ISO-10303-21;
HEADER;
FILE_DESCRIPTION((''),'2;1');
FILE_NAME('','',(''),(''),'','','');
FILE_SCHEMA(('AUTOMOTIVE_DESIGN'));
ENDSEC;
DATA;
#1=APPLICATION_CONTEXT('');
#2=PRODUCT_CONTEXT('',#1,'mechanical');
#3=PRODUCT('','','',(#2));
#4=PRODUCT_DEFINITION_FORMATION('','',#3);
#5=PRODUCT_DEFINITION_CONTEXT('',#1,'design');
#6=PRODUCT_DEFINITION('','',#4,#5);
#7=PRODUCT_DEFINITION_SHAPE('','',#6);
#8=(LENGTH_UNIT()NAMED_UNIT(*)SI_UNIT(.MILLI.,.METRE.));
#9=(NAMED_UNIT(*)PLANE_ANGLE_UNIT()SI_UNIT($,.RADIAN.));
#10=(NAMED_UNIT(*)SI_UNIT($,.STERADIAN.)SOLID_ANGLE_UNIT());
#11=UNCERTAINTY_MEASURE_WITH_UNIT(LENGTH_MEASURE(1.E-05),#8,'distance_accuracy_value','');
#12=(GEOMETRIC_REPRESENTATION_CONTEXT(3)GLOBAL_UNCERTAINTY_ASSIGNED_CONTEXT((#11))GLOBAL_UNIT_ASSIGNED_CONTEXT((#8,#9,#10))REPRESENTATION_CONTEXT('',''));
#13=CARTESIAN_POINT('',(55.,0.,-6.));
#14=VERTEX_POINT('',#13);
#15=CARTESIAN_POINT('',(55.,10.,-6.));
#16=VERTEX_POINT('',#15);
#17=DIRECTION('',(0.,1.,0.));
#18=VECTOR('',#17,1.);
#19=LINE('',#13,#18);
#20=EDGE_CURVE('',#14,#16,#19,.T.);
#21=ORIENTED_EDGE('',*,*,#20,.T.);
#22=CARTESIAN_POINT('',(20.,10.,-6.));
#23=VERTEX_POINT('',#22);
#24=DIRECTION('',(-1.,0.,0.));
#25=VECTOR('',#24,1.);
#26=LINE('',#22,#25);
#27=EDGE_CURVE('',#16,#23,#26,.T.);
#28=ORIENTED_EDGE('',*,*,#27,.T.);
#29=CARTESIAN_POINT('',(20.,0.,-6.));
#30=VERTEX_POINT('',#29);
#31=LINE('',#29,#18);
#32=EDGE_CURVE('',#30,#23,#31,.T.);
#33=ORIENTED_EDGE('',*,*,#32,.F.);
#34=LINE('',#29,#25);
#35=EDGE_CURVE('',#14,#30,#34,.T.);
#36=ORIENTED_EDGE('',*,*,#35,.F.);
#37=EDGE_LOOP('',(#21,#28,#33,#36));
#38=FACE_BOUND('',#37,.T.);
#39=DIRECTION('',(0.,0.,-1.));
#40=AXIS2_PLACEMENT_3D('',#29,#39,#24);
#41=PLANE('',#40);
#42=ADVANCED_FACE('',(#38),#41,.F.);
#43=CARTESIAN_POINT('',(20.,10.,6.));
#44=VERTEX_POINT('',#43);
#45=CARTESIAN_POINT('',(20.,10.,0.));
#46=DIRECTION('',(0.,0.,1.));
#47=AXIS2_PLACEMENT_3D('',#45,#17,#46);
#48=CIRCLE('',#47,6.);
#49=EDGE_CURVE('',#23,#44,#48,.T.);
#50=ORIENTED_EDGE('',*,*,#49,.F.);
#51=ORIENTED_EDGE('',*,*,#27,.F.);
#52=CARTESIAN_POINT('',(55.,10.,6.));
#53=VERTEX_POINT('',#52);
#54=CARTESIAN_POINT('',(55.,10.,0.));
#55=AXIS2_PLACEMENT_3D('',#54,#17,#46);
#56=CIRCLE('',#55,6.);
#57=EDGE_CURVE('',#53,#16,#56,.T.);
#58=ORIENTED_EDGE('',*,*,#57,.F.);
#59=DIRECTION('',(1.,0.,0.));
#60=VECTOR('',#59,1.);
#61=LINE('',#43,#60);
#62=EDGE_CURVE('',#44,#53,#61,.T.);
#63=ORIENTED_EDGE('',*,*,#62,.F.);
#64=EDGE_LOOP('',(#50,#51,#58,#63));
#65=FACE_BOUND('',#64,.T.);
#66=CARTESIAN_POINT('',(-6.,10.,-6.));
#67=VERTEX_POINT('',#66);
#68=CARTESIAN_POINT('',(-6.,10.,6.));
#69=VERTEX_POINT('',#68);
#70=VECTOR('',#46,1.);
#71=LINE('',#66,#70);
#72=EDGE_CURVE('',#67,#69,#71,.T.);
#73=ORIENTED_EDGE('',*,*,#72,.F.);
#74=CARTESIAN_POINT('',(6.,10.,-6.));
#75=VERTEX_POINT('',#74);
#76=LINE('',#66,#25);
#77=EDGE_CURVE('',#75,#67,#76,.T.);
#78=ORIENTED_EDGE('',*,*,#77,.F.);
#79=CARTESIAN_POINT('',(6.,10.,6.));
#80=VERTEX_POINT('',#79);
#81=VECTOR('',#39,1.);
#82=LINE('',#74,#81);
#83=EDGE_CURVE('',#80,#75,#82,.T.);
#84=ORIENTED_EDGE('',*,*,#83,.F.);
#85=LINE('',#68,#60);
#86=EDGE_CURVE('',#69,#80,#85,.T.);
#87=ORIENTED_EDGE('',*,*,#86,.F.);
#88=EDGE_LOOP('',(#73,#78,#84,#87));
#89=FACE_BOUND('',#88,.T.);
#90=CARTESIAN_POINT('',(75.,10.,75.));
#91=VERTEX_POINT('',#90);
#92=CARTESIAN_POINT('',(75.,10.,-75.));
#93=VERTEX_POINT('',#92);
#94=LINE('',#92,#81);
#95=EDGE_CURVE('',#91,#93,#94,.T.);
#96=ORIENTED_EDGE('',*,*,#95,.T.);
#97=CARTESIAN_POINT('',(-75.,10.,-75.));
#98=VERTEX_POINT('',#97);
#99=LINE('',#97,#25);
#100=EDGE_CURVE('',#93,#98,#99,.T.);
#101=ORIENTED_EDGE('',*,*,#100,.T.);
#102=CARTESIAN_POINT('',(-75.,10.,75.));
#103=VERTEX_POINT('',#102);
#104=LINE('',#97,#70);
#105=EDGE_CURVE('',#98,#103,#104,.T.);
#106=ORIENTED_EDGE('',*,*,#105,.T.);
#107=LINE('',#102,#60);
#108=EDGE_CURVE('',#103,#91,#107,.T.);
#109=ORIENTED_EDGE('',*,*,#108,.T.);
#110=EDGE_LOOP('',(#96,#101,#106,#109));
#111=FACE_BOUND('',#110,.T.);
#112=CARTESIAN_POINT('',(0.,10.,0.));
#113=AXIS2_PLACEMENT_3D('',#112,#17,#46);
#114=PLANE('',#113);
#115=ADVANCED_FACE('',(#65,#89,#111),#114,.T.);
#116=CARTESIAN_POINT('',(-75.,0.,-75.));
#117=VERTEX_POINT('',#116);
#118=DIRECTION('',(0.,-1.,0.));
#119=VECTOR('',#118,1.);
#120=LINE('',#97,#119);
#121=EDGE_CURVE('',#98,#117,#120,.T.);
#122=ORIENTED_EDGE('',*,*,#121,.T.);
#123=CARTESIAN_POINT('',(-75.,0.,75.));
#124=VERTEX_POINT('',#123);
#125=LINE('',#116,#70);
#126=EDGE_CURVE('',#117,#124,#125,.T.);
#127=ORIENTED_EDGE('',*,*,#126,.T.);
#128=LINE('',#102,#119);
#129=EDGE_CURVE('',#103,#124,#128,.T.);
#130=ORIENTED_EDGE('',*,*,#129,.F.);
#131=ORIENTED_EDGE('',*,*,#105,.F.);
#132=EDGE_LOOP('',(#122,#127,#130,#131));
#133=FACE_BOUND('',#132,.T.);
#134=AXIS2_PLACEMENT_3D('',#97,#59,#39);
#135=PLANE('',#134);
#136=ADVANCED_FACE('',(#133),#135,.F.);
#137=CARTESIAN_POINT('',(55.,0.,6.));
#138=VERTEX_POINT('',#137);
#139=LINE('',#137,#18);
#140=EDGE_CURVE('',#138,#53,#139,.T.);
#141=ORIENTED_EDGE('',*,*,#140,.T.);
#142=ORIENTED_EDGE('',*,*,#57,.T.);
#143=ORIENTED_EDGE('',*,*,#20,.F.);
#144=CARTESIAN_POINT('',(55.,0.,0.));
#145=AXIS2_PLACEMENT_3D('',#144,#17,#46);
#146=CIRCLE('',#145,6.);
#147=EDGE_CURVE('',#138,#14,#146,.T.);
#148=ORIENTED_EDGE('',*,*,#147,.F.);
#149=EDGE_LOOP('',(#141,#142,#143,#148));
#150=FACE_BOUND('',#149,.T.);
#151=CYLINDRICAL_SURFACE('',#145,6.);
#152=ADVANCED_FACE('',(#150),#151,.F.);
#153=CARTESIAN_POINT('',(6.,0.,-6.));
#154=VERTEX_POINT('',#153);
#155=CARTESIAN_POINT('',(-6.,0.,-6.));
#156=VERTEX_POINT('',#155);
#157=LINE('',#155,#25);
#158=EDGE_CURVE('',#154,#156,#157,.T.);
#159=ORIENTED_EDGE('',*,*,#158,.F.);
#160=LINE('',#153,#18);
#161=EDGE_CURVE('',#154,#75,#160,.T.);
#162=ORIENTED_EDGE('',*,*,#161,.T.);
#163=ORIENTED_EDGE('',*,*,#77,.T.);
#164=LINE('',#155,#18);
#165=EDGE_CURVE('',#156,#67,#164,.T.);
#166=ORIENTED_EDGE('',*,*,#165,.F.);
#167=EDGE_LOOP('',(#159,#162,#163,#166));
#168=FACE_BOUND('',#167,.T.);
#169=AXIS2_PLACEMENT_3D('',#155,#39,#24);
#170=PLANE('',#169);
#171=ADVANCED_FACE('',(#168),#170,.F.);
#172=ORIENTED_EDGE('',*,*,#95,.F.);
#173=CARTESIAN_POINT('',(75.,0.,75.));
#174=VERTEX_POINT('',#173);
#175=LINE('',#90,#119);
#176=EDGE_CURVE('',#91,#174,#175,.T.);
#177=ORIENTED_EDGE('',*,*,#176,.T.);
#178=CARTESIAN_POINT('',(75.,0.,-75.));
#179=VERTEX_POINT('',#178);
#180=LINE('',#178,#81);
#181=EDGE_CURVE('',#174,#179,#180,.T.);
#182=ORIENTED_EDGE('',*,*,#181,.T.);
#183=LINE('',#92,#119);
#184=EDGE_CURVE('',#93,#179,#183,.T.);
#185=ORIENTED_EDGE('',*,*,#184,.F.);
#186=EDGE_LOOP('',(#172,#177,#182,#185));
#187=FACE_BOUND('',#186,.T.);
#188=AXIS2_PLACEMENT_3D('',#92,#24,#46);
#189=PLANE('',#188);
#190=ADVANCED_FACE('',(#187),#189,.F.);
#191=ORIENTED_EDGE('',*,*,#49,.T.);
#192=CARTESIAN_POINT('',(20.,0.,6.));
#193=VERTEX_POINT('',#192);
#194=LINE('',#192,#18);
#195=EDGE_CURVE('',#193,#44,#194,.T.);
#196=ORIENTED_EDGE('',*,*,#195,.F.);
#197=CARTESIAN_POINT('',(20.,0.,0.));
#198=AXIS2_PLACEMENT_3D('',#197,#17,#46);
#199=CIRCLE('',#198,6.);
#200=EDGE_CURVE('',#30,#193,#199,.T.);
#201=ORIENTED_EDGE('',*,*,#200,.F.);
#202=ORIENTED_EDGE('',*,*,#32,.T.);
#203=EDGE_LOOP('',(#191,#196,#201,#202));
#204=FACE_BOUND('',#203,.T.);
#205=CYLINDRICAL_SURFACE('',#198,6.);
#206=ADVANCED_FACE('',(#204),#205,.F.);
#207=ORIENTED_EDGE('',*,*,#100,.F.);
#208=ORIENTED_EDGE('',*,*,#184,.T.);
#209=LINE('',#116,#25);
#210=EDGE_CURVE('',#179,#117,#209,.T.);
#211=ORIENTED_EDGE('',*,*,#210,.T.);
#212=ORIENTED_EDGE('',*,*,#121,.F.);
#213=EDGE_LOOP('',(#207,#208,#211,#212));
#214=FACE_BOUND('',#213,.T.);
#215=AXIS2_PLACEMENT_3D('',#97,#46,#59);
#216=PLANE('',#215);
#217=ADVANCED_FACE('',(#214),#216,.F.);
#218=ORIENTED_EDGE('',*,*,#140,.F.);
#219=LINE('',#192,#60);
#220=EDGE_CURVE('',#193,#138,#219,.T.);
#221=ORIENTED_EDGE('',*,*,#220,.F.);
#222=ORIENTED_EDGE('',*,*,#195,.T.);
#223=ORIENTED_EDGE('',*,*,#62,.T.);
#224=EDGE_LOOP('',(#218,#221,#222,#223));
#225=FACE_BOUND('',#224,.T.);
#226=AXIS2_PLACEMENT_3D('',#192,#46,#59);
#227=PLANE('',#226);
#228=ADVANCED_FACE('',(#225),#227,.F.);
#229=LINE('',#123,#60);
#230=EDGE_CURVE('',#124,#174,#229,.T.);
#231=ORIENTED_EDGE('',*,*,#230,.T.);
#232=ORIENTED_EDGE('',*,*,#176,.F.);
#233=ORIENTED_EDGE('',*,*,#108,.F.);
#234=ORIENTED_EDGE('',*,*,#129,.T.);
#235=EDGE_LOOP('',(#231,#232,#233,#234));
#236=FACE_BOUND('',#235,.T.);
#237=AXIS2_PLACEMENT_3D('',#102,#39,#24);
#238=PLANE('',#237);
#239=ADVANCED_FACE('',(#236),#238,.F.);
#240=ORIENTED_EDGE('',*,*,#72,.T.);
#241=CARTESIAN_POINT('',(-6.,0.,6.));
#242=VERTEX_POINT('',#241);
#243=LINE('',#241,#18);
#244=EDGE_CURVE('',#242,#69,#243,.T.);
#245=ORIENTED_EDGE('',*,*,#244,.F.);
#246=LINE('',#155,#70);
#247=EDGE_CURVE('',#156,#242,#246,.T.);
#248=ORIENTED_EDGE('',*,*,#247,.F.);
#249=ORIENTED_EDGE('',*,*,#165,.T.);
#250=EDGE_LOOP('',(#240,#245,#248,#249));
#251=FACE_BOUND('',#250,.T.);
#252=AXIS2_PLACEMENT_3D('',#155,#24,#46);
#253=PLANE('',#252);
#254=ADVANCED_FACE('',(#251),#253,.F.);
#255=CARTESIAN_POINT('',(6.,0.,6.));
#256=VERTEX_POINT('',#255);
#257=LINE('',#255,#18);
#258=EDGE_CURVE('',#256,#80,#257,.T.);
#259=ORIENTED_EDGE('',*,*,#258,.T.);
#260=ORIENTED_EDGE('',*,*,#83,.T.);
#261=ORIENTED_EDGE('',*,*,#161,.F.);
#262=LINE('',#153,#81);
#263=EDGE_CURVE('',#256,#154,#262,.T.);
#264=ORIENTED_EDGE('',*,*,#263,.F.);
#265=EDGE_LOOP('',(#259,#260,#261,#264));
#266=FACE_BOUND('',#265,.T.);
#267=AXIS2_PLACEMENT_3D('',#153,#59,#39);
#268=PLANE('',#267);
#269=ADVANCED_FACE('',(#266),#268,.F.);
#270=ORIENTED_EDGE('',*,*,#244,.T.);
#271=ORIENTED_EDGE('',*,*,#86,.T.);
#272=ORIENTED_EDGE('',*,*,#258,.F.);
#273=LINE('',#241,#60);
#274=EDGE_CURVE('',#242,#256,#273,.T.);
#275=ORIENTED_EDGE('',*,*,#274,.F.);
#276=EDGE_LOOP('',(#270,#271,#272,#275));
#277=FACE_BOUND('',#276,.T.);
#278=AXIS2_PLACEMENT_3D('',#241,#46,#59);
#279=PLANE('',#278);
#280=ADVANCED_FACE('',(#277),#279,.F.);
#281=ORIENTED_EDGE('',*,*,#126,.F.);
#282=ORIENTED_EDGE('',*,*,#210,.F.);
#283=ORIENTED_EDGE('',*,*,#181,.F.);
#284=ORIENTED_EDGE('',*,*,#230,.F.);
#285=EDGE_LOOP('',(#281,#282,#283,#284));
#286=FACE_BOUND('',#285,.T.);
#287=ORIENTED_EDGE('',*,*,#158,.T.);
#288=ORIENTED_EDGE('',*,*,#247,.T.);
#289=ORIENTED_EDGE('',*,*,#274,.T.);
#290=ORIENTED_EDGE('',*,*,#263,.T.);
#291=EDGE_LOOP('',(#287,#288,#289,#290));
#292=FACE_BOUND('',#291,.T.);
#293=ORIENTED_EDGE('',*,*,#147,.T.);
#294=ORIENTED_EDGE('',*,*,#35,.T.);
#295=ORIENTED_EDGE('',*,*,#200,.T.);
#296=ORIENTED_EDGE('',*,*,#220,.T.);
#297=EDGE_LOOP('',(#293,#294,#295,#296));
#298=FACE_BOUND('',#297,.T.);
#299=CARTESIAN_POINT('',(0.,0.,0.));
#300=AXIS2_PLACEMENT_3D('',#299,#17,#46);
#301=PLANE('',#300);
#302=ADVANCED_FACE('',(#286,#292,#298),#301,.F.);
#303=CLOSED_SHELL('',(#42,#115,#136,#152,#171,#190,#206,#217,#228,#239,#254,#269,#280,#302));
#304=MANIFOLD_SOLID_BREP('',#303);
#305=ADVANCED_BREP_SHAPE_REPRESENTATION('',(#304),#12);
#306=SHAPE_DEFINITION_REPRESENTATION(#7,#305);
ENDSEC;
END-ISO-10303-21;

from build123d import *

# Parameters (mm, degrees)
SKETCH1_W           = 150
SKETCH1_H           = 150
BOSS_EXTRUDE1_DEPTH = 10
SKETCH3_W           = 12
SKETCH3_H           = 12
CUT_EXTRUDE2_DEPTH  = 107.536378763
CUT_EXTRUDE1_DEPTH  = 107.536378763


with BuildPart() as part:
    # Sketch1 → Boss-Extrude1 (new body)
    with BuildSketch(Plane(origin=(0, 0, 0), x_dir=(1, 0, 0), z_dir=(0, 1, 0))):
        Rectangle(SKETCH1_W, SKETCH1_H)
    extrude(amount=BOSS_EXTRUDE1_DEPTH)

    # Sketch3 → Cut-Extrude2 (cut, through all)
    with BuildSketch(Plane(origin=(0, 10, 0), x_dir=(1, 0, 0), z_dir=(0, 1, 0))):
        Rectangle(SKETCH3_W, SKETCH3_H)
    extrude(amount=-CUT_EXTRUDE2_DEPTH, mode=Mode.SUBTRACT)

    # Sketch2 → Cut-Extrude1 (cut, through all)
    with BuildSketch(Plane(origin=(0, 10, 0), x_dir=(1, 0, 0), z_dir=(0, 1, 0))):
        with BuildLine():
            Line((20, 6), (55, 6))
            ThreePointArc((55, 6), (61, 0), (55, -6))
            Line((55, -6), (20, -6))
            ThreePointArc((20, -6), (14, 0), (20, 6))
        make_face()
    extrude(amount=-CUT_EXTRUDE1_DEPTH, mode=Mode.SUBTRACT)


solid = part.part
